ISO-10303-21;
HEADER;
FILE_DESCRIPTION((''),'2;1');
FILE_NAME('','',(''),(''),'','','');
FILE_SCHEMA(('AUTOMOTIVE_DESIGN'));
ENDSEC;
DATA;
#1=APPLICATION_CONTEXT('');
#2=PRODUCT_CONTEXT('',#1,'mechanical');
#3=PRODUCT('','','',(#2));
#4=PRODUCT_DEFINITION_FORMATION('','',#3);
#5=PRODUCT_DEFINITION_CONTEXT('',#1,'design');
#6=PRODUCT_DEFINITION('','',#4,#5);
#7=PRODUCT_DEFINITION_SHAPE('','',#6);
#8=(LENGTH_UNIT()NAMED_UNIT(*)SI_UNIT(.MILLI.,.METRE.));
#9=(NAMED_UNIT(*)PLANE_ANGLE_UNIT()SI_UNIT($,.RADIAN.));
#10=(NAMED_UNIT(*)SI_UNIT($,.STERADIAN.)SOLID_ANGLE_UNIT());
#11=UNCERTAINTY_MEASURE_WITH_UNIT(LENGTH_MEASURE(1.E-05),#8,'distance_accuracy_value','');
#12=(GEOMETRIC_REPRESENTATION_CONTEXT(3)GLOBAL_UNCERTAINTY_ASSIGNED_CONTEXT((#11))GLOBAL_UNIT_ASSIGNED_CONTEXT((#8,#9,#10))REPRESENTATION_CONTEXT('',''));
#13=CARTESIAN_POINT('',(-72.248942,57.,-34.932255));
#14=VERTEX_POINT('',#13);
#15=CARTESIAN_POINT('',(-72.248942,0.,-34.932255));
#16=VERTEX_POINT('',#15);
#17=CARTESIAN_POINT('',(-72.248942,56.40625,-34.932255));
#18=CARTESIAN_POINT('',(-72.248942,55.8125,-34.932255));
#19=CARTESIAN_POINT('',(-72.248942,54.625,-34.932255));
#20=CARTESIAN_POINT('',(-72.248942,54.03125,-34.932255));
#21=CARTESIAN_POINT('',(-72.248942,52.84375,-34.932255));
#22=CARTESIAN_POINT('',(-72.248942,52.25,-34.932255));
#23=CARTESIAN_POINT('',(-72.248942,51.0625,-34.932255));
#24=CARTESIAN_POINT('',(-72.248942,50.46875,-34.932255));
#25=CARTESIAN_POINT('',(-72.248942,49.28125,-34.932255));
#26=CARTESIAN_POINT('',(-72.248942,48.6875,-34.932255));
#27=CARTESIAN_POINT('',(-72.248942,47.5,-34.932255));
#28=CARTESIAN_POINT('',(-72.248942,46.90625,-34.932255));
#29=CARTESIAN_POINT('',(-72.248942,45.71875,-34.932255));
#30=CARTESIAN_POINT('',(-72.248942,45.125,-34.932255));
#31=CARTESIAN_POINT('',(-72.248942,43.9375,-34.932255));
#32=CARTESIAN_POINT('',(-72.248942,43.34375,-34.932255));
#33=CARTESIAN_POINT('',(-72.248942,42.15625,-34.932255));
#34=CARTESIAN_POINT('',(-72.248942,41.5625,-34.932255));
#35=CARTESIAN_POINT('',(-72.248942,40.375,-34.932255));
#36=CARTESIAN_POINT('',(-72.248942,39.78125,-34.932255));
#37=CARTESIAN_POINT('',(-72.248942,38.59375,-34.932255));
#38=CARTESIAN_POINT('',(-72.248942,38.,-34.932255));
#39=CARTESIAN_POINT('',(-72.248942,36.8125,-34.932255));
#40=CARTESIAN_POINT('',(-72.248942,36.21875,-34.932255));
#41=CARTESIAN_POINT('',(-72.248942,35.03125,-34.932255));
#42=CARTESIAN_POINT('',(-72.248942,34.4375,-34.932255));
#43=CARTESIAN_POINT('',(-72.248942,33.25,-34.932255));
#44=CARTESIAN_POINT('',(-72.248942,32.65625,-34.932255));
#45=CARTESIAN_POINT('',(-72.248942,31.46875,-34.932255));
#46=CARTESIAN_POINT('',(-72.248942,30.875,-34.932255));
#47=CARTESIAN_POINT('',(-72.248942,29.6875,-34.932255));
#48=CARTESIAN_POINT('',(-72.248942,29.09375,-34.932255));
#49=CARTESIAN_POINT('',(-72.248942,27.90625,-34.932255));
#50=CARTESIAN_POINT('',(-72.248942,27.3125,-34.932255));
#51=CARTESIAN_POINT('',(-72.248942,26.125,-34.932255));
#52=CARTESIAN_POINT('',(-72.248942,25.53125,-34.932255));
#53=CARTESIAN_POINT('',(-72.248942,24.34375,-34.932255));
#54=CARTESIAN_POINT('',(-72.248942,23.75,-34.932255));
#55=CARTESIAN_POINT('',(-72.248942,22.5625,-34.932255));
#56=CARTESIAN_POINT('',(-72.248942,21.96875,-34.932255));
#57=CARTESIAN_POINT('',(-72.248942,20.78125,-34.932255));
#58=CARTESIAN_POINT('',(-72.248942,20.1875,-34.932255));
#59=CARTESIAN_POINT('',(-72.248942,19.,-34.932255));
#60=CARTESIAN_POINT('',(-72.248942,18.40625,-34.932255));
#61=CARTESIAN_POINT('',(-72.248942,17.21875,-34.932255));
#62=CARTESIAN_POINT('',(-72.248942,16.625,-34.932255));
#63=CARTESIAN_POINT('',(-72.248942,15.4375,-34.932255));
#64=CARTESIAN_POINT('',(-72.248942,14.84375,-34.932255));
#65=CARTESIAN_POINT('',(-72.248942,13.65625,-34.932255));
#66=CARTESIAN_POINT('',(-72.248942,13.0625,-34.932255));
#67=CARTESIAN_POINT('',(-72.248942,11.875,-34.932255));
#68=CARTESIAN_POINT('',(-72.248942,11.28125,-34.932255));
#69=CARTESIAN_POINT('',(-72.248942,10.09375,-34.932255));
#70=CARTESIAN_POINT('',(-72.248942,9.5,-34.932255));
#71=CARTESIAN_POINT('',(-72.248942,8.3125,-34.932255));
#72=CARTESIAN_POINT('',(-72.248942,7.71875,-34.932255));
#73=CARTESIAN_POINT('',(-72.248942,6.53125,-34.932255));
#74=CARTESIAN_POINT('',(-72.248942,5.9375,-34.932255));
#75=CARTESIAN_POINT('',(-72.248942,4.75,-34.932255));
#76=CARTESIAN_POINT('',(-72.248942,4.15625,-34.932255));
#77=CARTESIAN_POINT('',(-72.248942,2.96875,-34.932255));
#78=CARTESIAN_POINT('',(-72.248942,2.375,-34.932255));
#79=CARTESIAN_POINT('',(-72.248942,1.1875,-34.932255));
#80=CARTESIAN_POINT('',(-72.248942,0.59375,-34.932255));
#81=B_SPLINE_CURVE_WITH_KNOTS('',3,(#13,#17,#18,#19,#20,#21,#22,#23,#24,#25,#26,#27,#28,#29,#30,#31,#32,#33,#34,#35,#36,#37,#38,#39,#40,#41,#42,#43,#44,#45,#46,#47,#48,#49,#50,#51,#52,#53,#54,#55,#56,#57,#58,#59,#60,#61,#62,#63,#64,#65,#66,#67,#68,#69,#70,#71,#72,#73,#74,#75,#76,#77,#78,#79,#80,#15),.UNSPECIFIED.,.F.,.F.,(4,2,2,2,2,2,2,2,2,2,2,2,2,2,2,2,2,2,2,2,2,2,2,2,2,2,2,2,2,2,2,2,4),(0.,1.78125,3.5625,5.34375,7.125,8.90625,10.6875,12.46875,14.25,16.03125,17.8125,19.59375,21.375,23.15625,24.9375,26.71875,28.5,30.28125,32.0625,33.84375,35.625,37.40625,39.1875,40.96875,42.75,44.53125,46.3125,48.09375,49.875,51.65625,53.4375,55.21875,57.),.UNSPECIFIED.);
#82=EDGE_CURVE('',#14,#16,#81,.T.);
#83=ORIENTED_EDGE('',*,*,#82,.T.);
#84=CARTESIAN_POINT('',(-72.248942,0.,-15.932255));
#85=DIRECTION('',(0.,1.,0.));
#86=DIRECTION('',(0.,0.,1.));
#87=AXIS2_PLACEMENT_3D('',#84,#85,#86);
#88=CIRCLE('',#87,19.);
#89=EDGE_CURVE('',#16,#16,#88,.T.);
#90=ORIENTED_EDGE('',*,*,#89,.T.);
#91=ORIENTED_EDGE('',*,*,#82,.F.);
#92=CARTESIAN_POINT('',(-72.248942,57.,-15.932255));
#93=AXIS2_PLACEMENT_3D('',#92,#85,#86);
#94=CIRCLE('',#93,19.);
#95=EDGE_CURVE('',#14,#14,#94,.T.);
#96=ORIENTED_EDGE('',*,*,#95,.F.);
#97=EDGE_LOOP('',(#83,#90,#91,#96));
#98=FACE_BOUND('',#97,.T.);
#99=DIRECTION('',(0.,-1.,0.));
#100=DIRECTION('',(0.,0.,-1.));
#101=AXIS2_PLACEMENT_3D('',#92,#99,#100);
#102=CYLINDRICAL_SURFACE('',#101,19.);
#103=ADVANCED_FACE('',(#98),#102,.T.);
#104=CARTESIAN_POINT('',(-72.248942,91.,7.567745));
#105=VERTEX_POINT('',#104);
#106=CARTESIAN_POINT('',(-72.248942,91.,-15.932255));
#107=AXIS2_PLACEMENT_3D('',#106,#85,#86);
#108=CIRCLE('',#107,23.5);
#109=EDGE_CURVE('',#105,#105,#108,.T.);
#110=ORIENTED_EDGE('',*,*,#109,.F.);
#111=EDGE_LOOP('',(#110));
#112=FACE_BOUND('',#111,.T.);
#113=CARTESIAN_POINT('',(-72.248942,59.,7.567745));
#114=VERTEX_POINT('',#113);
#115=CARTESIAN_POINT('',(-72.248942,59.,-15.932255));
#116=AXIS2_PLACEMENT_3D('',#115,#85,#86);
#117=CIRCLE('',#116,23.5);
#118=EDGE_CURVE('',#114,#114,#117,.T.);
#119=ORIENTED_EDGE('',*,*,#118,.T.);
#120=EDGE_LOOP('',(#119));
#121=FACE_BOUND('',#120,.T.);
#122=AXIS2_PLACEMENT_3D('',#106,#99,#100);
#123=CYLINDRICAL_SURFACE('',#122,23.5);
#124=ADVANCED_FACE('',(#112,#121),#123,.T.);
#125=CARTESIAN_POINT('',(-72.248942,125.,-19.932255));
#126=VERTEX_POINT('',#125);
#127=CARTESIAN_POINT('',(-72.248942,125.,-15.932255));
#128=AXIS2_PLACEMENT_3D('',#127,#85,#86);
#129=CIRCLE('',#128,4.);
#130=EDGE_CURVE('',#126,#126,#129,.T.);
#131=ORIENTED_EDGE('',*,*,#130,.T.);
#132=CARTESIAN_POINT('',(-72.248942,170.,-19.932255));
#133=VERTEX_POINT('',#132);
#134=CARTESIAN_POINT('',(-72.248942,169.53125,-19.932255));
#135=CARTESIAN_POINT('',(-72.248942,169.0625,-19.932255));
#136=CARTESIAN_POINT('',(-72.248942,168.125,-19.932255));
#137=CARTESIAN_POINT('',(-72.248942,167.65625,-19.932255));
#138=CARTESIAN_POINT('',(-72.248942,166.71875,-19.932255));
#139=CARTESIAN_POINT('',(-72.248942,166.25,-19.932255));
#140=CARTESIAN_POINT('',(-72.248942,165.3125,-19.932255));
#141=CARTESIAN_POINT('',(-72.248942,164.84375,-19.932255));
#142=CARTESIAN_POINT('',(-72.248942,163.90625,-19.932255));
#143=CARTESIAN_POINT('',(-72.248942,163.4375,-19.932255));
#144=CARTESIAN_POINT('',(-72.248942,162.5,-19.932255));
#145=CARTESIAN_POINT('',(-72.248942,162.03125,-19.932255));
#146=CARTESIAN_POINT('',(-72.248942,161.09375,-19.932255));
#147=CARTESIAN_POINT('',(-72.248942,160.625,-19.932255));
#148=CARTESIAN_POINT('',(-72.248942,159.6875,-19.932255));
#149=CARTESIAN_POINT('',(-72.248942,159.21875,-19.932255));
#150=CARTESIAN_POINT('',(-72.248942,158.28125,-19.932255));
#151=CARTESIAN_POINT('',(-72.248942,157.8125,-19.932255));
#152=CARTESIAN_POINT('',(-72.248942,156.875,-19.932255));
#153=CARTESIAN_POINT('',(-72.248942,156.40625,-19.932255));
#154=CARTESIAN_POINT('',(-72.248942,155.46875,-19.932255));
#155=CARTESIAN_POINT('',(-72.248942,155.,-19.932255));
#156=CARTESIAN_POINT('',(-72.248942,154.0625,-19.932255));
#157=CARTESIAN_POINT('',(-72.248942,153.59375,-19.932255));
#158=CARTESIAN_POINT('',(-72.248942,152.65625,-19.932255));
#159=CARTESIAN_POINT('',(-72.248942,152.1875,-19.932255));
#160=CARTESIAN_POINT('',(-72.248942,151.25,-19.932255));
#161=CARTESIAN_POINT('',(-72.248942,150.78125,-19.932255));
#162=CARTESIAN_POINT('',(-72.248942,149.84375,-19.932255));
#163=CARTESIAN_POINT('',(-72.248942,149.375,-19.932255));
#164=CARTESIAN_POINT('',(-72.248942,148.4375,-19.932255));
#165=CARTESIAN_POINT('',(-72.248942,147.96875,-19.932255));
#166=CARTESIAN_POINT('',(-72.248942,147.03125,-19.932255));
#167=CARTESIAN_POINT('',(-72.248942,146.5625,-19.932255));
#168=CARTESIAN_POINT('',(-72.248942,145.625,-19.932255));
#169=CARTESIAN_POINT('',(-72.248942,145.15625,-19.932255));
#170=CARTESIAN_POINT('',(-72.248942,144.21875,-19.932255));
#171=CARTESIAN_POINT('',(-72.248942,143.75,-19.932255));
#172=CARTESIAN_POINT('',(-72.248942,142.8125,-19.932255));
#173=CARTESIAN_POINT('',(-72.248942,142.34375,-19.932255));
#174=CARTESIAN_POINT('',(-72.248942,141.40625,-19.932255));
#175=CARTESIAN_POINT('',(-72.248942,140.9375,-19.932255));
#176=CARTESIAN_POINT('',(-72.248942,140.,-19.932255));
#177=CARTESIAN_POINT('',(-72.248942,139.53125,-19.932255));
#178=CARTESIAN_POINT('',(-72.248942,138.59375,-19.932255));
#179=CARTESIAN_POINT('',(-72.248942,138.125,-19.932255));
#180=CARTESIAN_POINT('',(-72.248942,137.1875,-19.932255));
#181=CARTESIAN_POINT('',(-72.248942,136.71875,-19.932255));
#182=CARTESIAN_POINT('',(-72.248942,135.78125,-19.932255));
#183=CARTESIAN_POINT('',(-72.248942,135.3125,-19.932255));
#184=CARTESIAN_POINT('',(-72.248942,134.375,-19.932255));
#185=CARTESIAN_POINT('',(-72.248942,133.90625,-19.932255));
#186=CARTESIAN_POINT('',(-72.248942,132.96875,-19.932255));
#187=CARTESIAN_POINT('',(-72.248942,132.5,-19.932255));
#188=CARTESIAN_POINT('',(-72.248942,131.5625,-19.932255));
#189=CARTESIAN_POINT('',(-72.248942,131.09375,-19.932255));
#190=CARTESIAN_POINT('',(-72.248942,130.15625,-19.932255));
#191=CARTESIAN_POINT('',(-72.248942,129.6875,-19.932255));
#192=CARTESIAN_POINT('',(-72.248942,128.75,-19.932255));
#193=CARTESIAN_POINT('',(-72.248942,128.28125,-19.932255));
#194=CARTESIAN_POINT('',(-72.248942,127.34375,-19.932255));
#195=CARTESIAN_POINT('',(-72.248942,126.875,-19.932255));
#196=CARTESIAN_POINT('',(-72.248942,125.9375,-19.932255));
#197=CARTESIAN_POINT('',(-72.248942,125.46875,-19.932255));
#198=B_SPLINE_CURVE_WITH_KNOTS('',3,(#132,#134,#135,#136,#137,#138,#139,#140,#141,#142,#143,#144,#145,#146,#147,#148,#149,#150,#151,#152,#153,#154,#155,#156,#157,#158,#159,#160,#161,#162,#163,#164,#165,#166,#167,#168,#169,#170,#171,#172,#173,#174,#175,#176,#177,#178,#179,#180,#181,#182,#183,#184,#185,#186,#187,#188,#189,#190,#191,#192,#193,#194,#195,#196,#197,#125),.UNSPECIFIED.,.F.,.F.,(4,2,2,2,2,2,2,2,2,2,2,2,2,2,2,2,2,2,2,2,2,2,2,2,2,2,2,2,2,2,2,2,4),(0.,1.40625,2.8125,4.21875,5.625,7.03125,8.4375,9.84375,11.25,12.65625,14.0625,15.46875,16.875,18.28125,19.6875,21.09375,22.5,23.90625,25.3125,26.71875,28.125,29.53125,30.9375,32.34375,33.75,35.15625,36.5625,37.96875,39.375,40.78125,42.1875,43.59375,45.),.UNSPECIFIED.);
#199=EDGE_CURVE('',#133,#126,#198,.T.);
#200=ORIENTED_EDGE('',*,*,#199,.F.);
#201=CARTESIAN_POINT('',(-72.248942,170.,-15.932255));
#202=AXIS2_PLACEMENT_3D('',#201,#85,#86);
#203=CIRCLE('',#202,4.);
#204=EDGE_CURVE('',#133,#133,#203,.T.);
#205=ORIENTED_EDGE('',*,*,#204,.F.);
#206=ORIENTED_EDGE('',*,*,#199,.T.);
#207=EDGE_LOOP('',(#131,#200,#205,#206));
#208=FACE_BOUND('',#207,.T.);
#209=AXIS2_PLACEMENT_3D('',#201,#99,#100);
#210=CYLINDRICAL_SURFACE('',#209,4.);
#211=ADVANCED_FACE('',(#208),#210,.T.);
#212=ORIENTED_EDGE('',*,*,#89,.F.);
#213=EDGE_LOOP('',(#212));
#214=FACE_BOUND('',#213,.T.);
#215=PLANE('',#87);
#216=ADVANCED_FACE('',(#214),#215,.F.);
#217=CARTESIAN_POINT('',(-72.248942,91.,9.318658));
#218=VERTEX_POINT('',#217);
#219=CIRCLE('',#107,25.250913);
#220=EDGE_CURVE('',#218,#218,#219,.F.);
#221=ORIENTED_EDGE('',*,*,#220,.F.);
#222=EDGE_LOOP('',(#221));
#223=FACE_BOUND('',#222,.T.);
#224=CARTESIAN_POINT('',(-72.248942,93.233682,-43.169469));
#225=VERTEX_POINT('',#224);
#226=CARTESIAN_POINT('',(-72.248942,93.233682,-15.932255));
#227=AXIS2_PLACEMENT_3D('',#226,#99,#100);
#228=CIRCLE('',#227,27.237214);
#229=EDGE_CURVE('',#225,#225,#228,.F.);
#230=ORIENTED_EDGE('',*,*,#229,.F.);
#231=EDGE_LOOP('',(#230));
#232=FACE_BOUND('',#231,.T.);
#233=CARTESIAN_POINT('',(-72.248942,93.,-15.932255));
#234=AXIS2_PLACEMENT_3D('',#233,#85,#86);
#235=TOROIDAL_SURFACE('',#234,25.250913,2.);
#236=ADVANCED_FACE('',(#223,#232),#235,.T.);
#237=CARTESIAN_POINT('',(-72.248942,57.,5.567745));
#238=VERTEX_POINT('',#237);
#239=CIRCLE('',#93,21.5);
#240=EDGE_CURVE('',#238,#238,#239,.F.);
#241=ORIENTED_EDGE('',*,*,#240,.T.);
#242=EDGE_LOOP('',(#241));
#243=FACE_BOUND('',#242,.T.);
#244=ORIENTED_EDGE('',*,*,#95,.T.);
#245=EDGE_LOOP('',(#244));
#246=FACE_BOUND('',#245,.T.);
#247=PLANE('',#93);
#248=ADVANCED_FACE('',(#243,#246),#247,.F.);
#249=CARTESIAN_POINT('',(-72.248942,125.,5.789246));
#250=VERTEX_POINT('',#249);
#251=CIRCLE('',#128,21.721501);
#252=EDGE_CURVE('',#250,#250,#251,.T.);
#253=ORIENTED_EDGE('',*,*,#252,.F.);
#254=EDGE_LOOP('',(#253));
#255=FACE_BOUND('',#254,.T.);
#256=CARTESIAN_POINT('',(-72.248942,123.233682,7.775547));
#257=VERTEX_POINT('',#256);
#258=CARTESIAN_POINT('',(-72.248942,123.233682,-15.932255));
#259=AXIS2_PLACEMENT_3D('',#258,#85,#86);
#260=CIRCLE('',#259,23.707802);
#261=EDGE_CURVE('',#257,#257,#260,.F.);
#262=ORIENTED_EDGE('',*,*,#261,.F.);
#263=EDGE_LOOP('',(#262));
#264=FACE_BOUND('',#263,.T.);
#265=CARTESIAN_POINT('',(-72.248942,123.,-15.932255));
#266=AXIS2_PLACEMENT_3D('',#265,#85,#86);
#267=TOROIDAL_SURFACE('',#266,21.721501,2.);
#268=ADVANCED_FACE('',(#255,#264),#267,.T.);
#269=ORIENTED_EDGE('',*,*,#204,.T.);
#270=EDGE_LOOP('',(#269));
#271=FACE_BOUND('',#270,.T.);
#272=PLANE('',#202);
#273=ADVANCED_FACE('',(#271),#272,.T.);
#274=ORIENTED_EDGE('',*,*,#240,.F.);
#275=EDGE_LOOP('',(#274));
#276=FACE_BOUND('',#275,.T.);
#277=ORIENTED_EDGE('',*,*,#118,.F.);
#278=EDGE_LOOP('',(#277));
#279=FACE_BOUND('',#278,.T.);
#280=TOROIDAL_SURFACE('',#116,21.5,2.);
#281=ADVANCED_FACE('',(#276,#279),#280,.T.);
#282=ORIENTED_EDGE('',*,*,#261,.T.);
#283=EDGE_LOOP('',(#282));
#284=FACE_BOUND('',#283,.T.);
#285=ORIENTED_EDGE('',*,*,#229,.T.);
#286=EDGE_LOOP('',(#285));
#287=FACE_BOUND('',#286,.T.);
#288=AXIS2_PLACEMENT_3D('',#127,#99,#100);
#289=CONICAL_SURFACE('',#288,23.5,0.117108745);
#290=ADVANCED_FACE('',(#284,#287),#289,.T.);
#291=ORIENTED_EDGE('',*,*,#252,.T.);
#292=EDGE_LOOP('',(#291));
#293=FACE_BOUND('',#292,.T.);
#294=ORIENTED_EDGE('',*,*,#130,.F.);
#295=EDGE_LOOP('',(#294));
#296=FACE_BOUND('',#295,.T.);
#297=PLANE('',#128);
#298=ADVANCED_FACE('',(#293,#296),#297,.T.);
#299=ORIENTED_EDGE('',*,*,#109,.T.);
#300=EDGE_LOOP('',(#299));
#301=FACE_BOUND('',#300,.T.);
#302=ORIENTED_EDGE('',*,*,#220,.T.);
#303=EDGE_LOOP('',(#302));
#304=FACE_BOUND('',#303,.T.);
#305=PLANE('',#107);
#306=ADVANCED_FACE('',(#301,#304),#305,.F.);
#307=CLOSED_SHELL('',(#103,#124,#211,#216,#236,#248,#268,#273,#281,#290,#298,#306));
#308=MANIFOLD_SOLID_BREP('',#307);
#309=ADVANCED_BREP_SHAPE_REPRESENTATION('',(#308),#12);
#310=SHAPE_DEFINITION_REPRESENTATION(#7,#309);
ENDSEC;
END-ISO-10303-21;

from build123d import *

# Parameters (mm, degrees)
SKETCH1_R           = 19
BOSS_EXTRUDE1_DEPTH = 57
SKETCH2_R           = 23.5
BOSS_EXTRUDE2_DEPTH = 34
SKETCH3_R           = 27.5
SKETCH4_R           = 23.5
SKETCH5_R           = 4
BOSS_EXTRUDE3_DEPTH = 45
FILLET1_R           = 2


with BuildPart() as part:
    # Sketch1 → Boss-Extrude1 (new body)
    with BuildSketch(Plane(origin=(0, 0, 0), x_dir=(1, 0, 0), z_dir=(0, 1, 0))):
        with Locations(Location((-72.248941829, 15.932254861, 0), (0, 0, 90))):
            Circle(SKETCH1_R)
    extrude(amount=BOSS_EXTRUDE1_DEPTH)

    # Sketch2 → Boss-Extrude2 (add)
    with BuildSketch(Plane(origin=(0, 57, 0), x_dir=(1, 0, 0), z_dir=(0, 1, 0))):
        with Locations(Location((-72.248941829, 15.932254861, 0), (0, 0, 270))):
            Circle(SKETCH2_R)
    extrude(amount=BOSS_EXTRUDE2_DEPTH)

    # Sketch3 → Loft1 section 0
    with BuildSketch(Plane(origin=(0, 91, 0), x_dir=(1, 0, 0), z_dir=(0, 1, 0))):
        with Locations((-72.248941829, 15.932254861)):
            Circle(SKETCH3_R)
    # Sketch4 → Loft1 section 1
    with BuildSketch(Plane(origin=(0, 125, 0), x_dir=(1, 0, 0), z_dir=(0, 1, 0))):
        with Locations((-72.248941829, 15.932254861)):
            Circle(SKETCH4_R)
    loft()

    # Sketch5 → Boss-Extrude3 (add)
    with BuildSketch(Plane(origin=(0, 125, 0), x_dir=(1, 0, 0), z_dir=(0, 1, 0))):
        with Locations(Location((-72.248941829, 15.932254861, 0), (0, 0, 90))):
            Circle(SKETCH5_R)
    extrude(amount=BOSS_EXTRUDE3_DEPTH)

    # Fillet1
    fillet1_edges = [part.edges().sort_by_distance(p)[0] for p in [
        (-95.748941829, 125, -15.932254861),
        (-99.748941829, 91, -15.932254861),
        (-72.248941829, 57, -39.432254861),
    ]]
    fillet(fillet1_edges, radius=FILLET1_R)


solid = part.part
